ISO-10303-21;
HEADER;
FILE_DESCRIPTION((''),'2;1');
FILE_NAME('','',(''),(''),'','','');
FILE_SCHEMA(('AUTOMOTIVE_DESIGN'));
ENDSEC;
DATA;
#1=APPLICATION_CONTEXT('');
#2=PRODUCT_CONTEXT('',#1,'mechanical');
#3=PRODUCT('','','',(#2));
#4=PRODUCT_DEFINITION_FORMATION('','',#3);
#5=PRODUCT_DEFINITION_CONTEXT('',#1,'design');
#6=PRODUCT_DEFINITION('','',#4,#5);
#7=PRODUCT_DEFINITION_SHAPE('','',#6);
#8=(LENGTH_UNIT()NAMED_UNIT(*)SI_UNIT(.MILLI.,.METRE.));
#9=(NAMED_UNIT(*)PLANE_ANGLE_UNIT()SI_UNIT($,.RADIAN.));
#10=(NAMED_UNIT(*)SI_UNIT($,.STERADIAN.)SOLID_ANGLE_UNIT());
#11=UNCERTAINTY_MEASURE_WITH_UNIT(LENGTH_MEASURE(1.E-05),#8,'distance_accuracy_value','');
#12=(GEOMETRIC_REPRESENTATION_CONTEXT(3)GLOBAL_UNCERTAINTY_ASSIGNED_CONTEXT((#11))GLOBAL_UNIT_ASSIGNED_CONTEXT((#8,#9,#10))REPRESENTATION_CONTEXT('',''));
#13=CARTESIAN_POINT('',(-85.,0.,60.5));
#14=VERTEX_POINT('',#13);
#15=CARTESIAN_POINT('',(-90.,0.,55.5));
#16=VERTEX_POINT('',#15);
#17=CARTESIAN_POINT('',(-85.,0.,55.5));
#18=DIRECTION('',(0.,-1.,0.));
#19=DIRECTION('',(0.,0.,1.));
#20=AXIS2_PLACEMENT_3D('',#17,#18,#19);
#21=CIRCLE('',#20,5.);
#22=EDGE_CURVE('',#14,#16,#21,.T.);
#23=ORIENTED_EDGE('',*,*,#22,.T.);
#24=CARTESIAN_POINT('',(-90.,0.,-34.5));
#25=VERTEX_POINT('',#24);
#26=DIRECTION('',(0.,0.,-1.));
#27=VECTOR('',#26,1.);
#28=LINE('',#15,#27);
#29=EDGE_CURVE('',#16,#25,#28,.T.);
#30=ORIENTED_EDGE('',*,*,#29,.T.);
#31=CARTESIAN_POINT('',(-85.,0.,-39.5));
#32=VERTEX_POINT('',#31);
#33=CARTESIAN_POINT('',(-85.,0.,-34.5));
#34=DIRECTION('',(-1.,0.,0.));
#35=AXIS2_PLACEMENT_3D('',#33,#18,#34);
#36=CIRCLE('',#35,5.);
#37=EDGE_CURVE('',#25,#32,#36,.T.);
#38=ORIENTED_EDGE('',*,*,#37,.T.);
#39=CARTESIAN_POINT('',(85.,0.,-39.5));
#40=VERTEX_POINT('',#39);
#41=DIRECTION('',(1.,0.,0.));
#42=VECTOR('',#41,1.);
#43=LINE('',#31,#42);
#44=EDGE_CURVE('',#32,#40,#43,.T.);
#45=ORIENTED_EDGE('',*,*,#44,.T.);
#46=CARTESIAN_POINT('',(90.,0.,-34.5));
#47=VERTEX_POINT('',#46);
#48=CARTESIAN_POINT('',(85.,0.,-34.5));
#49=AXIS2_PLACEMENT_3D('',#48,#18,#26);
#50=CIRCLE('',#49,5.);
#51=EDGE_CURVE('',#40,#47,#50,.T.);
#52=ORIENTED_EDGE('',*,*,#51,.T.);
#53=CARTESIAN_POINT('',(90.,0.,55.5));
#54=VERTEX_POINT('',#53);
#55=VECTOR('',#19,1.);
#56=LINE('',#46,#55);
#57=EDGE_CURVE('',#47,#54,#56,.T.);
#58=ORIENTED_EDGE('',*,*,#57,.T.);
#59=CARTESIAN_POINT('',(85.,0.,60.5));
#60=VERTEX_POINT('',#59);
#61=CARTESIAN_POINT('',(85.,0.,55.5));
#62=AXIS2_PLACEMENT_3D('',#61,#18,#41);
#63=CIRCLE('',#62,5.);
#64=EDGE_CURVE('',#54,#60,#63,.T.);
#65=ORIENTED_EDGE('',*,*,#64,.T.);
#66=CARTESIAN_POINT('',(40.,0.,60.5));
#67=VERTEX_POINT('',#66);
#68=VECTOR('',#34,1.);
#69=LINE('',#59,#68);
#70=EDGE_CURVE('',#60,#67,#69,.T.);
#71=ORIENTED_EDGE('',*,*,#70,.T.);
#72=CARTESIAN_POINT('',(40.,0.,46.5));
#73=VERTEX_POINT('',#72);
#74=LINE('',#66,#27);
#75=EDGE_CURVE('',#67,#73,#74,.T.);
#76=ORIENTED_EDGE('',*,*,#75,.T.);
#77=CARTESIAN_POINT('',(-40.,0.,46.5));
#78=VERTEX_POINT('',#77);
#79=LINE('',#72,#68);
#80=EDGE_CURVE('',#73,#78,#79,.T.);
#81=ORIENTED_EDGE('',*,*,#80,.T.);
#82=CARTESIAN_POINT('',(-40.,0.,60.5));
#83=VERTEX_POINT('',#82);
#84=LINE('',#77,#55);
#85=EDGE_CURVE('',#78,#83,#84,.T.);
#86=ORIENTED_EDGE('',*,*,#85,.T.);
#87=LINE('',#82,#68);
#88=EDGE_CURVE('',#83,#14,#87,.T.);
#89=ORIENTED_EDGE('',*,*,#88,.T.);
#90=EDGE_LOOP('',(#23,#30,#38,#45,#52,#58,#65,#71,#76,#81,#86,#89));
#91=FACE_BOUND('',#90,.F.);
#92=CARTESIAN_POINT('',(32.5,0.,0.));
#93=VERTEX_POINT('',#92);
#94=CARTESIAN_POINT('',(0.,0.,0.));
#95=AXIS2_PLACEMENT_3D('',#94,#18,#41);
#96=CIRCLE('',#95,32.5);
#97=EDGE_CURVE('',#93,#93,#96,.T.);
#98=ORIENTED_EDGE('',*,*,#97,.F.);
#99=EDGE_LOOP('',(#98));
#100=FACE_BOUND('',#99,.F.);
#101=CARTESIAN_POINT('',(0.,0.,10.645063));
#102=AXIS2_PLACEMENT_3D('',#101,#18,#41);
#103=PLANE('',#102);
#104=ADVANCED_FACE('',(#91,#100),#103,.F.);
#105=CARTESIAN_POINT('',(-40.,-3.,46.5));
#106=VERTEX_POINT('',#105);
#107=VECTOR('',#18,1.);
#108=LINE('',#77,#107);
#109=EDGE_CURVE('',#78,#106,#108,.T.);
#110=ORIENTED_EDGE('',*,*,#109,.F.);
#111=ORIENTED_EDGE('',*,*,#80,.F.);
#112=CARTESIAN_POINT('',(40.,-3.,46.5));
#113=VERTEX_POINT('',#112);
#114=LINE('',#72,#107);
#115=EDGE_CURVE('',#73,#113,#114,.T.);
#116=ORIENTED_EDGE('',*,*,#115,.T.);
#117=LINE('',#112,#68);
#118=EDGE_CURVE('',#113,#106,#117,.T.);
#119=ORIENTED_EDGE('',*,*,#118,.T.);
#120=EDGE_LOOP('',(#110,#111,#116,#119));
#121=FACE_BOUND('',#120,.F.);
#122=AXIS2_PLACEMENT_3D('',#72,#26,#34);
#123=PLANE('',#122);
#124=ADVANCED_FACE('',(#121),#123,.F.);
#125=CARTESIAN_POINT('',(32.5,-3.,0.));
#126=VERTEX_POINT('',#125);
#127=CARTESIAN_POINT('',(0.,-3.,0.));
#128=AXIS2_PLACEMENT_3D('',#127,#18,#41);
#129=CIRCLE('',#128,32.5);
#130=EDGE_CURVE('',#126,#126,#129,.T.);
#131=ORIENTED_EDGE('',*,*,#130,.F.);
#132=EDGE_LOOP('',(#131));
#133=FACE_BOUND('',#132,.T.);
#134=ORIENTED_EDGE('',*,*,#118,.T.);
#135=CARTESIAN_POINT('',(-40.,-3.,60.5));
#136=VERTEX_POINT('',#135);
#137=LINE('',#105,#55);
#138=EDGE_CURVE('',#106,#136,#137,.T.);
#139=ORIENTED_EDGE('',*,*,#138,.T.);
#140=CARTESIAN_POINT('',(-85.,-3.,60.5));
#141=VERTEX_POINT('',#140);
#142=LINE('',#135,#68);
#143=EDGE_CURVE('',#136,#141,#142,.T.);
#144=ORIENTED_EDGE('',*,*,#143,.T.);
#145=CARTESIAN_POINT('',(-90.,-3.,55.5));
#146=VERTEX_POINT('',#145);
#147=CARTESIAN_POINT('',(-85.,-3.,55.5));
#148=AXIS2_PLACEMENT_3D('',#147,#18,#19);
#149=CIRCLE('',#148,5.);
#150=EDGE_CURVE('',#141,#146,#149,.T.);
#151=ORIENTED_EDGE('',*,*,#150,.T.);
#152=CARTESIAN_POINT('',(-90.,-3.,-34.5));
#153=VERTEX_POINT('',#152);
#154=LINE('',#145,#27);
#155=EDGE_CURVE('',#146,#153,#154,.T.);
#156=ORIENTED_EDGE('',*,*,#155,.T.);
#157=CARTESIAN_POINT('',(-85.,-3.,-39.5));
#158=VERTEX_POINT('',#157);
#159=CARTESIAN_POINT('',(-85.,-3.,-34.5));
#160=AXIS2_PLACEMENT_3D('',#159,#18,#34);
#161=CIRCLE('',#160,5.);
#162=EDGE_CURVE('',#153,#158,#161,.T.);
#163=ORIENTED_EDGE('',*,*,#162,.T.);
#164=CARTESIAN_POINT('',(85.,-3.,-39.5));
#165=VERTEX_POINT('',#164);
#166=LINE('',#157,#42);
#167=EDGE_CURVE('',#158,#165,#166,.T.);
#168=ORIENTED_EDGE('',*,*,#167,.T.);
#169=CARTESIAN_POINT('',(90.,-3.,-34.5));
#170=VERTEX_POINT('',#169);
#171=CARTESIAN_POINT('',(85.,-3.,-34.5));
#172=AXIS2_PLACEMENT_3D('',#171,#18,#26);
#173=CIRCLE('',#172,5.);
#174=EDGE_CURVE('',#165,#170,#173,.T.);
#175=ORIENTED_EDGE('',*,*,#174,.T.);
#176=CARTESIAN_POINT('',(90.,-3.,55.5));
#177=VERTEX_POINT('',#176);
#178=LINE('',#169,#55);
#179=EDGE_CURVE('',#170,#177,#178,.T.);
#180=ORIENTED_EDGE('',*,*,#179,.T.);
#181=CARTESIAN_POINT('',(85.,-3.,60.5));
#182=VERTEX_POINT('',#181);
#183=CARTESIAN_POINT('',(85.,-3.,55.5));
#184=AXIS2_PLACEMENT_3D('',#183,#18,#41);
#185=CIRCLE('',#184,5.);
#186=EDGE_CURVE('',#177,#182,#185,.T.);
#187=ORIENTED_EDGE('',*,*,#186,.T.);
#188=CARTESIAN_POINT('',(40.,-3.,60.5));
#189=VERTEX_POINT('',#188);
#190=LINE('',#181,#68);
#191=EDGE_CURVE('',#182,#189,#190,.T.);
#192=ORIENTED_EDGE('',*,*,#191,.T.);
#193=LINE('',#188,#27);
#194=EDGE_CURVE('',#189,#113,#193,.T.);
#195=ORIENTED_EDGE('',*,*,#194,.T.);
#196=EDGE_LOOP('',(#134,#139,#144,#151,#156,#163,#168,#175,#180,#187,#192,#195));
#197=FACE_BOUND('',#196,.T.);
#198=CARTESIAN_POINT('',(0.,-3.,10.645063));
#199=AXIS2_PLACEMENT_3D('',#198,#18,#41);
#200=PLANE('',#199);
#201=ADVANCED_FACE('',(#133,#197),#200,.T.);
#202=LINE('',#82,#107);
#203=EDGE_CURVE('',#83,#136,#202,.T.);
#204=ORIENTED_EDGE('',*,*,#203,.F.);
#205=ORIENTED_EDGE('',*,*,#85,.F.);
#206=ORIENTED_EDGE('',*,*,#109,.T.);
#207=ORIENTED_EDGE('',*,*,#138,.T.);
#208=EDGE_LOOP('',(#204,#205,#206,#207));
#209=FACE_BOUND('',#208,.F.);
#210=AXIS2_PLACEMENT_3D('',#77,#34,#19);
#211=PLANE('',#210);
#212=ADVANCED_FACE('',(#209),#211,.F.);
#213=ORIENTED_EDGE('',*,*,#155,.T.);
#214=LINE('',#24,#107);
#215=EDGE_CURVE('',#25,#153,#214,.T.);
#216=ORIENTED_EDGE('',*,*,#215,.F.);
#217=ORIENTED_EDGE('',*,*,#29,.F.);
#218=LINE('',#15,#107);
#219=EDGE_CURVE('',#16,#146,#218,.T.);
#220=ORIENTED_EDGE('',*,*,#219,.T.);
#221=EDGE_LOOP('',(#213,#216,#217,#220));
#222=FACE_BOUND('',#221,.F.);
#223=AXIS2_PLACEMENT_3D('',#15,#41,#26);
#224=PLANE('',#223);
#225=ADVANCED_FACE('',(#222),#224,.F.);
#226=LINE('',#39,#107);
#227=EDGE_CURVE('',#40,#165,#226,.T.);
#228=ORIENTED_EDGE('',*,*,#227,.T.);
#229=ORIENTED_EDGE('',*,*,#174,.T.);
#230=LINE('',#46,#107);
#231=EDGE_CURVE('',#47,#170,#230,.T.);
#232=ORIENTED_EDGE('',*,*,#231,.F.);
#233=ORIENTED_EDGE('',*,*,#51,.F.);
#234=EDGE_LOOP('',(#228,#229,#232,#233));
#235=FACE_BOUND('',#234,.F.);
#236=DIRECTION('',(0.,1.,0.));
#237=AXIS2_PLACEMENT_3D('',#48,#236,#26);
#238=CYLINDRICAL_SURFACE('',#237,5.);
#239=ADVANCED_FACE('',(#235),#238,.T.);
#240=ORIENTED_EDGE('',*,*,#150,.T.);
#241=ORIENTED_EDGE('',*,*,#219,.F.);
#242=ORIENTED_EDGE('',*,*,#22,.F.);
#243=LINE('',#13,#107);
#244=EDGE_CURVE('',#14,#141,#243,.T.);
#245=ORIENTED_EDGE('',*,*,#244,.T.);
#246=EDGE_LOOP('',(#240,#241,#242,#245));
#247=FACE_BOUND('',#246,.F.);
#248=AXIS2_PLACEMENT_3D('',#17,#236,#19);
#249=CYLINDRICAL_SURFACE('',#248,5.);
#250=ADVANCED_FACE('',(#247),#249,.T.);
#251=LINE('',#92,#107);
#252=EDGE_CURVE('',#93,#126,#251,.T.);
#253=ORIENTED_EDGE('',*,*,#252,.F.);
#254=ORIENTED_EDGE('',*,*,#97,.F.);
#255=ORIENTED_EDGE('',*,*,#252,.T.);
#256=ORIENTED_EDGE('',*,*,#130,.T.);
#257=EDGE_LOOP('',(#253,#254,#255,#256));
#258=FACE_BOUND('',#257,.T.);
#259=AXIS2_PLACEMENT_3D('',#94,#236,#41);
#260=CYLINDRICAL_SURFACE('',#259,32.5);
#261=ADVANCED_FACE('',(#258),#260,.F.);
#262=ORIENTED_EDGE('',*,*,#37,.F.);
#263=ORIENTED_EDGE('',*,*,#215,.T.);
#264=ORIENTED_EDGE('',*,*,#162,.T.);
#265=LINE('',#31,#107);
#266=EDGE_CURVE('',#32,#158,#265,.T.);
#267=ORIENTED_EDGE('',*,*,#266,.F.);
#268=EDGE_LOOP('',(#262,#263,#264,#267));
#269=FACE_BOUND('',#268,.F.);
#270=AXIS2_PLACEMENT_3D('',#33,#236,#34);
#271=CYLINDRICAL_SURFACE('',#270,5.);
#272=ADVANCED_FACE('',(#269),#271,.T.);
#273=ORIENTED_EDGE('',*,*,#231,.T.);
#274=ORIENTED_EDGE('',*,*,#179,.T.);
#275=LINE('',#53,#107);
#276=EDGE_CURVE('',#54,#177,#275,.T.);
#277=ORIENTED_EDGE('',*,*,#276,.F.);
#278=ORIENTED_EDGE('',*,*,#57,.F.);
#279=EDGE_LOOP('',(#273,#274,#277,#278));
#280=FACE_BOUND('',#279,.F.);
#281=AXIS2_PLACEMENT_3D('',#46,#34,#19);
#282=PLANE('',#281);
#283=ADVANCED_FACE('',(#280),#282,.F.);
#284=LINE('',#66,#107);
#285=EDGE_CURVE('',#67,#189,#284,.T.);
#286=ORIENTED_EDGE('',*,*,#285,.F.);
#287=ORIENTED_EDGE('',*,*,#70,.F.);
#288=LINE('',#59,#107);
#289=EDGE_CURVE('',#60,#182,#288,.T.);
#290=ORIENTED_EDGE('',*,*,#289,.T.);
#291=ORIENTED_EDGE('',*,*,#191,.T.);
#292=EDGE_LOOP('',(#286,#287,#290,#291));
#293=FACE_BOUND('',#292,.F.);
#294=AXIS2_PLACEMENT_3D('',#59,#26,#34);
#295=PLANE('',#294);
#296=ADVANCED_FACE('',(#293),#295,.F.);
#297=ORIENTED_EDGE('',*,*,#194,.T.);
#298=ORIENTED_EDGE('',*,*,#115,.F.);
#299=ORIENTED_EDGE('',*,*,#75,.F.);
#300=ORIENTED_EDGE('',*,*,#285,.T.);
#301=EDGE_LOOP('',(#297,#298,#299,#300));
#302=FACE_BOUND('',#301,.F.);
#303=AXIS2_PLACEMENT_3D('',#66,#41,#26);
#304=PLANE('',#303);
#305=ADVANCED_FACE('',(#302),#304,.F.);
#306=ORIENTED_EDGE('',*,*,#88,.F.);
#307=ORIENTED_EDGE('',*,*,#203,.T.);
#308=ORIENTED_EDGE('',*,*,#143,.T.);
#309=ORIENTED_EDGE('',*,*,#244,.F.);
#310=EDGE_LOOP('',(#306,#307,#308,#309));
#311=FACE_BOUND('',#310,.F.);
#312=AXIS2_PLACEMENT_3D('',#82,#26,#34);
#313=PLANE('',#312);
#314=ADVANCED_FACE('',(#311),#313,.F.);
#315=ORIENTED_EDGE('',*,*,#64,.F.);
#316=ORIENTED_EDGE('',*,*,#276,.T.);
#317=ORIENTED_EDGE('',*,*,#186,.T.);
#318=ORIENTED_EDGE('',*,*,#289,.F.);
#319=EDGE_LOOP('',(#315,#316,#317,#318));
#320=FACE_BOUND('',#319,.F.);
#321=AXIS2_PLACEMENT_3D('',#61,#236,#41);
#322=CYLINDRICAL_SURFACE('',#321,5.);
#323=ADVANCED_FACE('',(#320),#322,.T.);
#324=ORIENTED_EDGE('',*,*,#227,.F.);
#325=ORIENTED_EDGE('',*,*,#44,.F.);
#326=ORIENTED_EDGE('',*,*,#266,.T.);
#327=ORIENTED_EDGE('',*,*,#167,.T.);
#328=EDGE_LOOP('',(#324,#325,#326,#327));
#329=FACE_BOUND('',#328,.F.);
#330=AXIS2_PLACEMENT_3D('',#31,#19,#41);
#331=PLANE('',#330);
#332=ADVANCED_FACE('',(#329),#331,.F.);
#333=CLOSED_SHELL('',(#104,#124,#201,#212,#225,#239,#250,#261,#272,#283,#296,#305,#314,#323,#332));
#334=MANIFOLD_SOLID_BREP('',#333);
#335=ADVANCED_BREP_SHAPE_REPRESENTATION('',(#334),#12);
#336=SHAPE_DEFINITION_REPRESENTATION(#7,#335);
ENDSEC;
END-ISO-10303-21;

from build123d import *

# Parameters (mm, degrees)
F0_R     = 32.5
F1_DEPTH = 3
F0_W     = 80
F0_H     = 14
F2_DEPTH = 20


with BuildPart() as f1:
    # F0 (on Front) → F1 (new body)
    with BuildSketch(Plane.XZ):
        with BuildLine():
            Line((-40, 60.5), (-85, 60.5))
            ThreePointArc((-85, 60.5), (-88.5355339059, 59.0355339059), (-90, 55.5))
            Line((-90, 55.5), (-90, -34.5))
            ThreePointArc((-90, -34.5), (-88.5355339059, -38.0355339059), (-85, -39.5))
            Line((-85, -39.5), (85, -39.5))
            ThreePointArc((85, -39.5), (88.5355339059, -38.0355339059), (90, -34.5))
            Line((90, -34.5), (90, 55.5))
            ThreePointArc((90, 55.5), (88.5355339059, 59.0355339059), (85, 60.5))
            Line((85, 60.5), (40, 60.5))
            Line((40, 60.5), (40, 46.5))
            Line((40, 46.5), (-40, 46.5))
            Line((-40, 46.5), (-40, 60.5))
        make_face()
        Circle(F0_R, mode=Mode.SUBTRACT)
    extrude(amount=F1_DEPTH)

    # F0 (on Front) → F2 (cut)
    with BuildSketch(Plane.XZ):
        with BuildLine():
            Line((-40, 60.5), (-85, 60.5))
            ThreePointArc((-85, 60.5), (-88.5355339059, 59.0355339059), (-90, 55.5))
            Line((-90, 55.5), (-90, -34.5))
            ThreePointArc((-90, -34.5), (-88.5355339059, -38.0355339059), (-85, -39.5))
            Line((-85, -39.5), (85, -39.5))
            ThreePointArc((85, -39.5), (88.5355339059, -38.0355339059), (90, -34.5))
            Line((90, -34.5), (90, 55.5))
            ThreePointArc((90, 55.5), (88.5355339059, 59.0355339059), (85, 60.5))
            Line((85, 60.5), (40, 60.5))
            Line((40, 60.5), (40, 46.5))
            Line((40, 46.5), (-40, 46.5))
            Line((-40, 46.5), (-40, 60.5))
        make_face()
        Circle(F0_R, mode=Mode.SUBTRACT)
        with Locations((0, 53.5)):
            Rectangle(F0_W, F0_H)
    extrude(amount=-F2_DEPTH, mode=Mode.SUBTRACT)


solid = f1.part
